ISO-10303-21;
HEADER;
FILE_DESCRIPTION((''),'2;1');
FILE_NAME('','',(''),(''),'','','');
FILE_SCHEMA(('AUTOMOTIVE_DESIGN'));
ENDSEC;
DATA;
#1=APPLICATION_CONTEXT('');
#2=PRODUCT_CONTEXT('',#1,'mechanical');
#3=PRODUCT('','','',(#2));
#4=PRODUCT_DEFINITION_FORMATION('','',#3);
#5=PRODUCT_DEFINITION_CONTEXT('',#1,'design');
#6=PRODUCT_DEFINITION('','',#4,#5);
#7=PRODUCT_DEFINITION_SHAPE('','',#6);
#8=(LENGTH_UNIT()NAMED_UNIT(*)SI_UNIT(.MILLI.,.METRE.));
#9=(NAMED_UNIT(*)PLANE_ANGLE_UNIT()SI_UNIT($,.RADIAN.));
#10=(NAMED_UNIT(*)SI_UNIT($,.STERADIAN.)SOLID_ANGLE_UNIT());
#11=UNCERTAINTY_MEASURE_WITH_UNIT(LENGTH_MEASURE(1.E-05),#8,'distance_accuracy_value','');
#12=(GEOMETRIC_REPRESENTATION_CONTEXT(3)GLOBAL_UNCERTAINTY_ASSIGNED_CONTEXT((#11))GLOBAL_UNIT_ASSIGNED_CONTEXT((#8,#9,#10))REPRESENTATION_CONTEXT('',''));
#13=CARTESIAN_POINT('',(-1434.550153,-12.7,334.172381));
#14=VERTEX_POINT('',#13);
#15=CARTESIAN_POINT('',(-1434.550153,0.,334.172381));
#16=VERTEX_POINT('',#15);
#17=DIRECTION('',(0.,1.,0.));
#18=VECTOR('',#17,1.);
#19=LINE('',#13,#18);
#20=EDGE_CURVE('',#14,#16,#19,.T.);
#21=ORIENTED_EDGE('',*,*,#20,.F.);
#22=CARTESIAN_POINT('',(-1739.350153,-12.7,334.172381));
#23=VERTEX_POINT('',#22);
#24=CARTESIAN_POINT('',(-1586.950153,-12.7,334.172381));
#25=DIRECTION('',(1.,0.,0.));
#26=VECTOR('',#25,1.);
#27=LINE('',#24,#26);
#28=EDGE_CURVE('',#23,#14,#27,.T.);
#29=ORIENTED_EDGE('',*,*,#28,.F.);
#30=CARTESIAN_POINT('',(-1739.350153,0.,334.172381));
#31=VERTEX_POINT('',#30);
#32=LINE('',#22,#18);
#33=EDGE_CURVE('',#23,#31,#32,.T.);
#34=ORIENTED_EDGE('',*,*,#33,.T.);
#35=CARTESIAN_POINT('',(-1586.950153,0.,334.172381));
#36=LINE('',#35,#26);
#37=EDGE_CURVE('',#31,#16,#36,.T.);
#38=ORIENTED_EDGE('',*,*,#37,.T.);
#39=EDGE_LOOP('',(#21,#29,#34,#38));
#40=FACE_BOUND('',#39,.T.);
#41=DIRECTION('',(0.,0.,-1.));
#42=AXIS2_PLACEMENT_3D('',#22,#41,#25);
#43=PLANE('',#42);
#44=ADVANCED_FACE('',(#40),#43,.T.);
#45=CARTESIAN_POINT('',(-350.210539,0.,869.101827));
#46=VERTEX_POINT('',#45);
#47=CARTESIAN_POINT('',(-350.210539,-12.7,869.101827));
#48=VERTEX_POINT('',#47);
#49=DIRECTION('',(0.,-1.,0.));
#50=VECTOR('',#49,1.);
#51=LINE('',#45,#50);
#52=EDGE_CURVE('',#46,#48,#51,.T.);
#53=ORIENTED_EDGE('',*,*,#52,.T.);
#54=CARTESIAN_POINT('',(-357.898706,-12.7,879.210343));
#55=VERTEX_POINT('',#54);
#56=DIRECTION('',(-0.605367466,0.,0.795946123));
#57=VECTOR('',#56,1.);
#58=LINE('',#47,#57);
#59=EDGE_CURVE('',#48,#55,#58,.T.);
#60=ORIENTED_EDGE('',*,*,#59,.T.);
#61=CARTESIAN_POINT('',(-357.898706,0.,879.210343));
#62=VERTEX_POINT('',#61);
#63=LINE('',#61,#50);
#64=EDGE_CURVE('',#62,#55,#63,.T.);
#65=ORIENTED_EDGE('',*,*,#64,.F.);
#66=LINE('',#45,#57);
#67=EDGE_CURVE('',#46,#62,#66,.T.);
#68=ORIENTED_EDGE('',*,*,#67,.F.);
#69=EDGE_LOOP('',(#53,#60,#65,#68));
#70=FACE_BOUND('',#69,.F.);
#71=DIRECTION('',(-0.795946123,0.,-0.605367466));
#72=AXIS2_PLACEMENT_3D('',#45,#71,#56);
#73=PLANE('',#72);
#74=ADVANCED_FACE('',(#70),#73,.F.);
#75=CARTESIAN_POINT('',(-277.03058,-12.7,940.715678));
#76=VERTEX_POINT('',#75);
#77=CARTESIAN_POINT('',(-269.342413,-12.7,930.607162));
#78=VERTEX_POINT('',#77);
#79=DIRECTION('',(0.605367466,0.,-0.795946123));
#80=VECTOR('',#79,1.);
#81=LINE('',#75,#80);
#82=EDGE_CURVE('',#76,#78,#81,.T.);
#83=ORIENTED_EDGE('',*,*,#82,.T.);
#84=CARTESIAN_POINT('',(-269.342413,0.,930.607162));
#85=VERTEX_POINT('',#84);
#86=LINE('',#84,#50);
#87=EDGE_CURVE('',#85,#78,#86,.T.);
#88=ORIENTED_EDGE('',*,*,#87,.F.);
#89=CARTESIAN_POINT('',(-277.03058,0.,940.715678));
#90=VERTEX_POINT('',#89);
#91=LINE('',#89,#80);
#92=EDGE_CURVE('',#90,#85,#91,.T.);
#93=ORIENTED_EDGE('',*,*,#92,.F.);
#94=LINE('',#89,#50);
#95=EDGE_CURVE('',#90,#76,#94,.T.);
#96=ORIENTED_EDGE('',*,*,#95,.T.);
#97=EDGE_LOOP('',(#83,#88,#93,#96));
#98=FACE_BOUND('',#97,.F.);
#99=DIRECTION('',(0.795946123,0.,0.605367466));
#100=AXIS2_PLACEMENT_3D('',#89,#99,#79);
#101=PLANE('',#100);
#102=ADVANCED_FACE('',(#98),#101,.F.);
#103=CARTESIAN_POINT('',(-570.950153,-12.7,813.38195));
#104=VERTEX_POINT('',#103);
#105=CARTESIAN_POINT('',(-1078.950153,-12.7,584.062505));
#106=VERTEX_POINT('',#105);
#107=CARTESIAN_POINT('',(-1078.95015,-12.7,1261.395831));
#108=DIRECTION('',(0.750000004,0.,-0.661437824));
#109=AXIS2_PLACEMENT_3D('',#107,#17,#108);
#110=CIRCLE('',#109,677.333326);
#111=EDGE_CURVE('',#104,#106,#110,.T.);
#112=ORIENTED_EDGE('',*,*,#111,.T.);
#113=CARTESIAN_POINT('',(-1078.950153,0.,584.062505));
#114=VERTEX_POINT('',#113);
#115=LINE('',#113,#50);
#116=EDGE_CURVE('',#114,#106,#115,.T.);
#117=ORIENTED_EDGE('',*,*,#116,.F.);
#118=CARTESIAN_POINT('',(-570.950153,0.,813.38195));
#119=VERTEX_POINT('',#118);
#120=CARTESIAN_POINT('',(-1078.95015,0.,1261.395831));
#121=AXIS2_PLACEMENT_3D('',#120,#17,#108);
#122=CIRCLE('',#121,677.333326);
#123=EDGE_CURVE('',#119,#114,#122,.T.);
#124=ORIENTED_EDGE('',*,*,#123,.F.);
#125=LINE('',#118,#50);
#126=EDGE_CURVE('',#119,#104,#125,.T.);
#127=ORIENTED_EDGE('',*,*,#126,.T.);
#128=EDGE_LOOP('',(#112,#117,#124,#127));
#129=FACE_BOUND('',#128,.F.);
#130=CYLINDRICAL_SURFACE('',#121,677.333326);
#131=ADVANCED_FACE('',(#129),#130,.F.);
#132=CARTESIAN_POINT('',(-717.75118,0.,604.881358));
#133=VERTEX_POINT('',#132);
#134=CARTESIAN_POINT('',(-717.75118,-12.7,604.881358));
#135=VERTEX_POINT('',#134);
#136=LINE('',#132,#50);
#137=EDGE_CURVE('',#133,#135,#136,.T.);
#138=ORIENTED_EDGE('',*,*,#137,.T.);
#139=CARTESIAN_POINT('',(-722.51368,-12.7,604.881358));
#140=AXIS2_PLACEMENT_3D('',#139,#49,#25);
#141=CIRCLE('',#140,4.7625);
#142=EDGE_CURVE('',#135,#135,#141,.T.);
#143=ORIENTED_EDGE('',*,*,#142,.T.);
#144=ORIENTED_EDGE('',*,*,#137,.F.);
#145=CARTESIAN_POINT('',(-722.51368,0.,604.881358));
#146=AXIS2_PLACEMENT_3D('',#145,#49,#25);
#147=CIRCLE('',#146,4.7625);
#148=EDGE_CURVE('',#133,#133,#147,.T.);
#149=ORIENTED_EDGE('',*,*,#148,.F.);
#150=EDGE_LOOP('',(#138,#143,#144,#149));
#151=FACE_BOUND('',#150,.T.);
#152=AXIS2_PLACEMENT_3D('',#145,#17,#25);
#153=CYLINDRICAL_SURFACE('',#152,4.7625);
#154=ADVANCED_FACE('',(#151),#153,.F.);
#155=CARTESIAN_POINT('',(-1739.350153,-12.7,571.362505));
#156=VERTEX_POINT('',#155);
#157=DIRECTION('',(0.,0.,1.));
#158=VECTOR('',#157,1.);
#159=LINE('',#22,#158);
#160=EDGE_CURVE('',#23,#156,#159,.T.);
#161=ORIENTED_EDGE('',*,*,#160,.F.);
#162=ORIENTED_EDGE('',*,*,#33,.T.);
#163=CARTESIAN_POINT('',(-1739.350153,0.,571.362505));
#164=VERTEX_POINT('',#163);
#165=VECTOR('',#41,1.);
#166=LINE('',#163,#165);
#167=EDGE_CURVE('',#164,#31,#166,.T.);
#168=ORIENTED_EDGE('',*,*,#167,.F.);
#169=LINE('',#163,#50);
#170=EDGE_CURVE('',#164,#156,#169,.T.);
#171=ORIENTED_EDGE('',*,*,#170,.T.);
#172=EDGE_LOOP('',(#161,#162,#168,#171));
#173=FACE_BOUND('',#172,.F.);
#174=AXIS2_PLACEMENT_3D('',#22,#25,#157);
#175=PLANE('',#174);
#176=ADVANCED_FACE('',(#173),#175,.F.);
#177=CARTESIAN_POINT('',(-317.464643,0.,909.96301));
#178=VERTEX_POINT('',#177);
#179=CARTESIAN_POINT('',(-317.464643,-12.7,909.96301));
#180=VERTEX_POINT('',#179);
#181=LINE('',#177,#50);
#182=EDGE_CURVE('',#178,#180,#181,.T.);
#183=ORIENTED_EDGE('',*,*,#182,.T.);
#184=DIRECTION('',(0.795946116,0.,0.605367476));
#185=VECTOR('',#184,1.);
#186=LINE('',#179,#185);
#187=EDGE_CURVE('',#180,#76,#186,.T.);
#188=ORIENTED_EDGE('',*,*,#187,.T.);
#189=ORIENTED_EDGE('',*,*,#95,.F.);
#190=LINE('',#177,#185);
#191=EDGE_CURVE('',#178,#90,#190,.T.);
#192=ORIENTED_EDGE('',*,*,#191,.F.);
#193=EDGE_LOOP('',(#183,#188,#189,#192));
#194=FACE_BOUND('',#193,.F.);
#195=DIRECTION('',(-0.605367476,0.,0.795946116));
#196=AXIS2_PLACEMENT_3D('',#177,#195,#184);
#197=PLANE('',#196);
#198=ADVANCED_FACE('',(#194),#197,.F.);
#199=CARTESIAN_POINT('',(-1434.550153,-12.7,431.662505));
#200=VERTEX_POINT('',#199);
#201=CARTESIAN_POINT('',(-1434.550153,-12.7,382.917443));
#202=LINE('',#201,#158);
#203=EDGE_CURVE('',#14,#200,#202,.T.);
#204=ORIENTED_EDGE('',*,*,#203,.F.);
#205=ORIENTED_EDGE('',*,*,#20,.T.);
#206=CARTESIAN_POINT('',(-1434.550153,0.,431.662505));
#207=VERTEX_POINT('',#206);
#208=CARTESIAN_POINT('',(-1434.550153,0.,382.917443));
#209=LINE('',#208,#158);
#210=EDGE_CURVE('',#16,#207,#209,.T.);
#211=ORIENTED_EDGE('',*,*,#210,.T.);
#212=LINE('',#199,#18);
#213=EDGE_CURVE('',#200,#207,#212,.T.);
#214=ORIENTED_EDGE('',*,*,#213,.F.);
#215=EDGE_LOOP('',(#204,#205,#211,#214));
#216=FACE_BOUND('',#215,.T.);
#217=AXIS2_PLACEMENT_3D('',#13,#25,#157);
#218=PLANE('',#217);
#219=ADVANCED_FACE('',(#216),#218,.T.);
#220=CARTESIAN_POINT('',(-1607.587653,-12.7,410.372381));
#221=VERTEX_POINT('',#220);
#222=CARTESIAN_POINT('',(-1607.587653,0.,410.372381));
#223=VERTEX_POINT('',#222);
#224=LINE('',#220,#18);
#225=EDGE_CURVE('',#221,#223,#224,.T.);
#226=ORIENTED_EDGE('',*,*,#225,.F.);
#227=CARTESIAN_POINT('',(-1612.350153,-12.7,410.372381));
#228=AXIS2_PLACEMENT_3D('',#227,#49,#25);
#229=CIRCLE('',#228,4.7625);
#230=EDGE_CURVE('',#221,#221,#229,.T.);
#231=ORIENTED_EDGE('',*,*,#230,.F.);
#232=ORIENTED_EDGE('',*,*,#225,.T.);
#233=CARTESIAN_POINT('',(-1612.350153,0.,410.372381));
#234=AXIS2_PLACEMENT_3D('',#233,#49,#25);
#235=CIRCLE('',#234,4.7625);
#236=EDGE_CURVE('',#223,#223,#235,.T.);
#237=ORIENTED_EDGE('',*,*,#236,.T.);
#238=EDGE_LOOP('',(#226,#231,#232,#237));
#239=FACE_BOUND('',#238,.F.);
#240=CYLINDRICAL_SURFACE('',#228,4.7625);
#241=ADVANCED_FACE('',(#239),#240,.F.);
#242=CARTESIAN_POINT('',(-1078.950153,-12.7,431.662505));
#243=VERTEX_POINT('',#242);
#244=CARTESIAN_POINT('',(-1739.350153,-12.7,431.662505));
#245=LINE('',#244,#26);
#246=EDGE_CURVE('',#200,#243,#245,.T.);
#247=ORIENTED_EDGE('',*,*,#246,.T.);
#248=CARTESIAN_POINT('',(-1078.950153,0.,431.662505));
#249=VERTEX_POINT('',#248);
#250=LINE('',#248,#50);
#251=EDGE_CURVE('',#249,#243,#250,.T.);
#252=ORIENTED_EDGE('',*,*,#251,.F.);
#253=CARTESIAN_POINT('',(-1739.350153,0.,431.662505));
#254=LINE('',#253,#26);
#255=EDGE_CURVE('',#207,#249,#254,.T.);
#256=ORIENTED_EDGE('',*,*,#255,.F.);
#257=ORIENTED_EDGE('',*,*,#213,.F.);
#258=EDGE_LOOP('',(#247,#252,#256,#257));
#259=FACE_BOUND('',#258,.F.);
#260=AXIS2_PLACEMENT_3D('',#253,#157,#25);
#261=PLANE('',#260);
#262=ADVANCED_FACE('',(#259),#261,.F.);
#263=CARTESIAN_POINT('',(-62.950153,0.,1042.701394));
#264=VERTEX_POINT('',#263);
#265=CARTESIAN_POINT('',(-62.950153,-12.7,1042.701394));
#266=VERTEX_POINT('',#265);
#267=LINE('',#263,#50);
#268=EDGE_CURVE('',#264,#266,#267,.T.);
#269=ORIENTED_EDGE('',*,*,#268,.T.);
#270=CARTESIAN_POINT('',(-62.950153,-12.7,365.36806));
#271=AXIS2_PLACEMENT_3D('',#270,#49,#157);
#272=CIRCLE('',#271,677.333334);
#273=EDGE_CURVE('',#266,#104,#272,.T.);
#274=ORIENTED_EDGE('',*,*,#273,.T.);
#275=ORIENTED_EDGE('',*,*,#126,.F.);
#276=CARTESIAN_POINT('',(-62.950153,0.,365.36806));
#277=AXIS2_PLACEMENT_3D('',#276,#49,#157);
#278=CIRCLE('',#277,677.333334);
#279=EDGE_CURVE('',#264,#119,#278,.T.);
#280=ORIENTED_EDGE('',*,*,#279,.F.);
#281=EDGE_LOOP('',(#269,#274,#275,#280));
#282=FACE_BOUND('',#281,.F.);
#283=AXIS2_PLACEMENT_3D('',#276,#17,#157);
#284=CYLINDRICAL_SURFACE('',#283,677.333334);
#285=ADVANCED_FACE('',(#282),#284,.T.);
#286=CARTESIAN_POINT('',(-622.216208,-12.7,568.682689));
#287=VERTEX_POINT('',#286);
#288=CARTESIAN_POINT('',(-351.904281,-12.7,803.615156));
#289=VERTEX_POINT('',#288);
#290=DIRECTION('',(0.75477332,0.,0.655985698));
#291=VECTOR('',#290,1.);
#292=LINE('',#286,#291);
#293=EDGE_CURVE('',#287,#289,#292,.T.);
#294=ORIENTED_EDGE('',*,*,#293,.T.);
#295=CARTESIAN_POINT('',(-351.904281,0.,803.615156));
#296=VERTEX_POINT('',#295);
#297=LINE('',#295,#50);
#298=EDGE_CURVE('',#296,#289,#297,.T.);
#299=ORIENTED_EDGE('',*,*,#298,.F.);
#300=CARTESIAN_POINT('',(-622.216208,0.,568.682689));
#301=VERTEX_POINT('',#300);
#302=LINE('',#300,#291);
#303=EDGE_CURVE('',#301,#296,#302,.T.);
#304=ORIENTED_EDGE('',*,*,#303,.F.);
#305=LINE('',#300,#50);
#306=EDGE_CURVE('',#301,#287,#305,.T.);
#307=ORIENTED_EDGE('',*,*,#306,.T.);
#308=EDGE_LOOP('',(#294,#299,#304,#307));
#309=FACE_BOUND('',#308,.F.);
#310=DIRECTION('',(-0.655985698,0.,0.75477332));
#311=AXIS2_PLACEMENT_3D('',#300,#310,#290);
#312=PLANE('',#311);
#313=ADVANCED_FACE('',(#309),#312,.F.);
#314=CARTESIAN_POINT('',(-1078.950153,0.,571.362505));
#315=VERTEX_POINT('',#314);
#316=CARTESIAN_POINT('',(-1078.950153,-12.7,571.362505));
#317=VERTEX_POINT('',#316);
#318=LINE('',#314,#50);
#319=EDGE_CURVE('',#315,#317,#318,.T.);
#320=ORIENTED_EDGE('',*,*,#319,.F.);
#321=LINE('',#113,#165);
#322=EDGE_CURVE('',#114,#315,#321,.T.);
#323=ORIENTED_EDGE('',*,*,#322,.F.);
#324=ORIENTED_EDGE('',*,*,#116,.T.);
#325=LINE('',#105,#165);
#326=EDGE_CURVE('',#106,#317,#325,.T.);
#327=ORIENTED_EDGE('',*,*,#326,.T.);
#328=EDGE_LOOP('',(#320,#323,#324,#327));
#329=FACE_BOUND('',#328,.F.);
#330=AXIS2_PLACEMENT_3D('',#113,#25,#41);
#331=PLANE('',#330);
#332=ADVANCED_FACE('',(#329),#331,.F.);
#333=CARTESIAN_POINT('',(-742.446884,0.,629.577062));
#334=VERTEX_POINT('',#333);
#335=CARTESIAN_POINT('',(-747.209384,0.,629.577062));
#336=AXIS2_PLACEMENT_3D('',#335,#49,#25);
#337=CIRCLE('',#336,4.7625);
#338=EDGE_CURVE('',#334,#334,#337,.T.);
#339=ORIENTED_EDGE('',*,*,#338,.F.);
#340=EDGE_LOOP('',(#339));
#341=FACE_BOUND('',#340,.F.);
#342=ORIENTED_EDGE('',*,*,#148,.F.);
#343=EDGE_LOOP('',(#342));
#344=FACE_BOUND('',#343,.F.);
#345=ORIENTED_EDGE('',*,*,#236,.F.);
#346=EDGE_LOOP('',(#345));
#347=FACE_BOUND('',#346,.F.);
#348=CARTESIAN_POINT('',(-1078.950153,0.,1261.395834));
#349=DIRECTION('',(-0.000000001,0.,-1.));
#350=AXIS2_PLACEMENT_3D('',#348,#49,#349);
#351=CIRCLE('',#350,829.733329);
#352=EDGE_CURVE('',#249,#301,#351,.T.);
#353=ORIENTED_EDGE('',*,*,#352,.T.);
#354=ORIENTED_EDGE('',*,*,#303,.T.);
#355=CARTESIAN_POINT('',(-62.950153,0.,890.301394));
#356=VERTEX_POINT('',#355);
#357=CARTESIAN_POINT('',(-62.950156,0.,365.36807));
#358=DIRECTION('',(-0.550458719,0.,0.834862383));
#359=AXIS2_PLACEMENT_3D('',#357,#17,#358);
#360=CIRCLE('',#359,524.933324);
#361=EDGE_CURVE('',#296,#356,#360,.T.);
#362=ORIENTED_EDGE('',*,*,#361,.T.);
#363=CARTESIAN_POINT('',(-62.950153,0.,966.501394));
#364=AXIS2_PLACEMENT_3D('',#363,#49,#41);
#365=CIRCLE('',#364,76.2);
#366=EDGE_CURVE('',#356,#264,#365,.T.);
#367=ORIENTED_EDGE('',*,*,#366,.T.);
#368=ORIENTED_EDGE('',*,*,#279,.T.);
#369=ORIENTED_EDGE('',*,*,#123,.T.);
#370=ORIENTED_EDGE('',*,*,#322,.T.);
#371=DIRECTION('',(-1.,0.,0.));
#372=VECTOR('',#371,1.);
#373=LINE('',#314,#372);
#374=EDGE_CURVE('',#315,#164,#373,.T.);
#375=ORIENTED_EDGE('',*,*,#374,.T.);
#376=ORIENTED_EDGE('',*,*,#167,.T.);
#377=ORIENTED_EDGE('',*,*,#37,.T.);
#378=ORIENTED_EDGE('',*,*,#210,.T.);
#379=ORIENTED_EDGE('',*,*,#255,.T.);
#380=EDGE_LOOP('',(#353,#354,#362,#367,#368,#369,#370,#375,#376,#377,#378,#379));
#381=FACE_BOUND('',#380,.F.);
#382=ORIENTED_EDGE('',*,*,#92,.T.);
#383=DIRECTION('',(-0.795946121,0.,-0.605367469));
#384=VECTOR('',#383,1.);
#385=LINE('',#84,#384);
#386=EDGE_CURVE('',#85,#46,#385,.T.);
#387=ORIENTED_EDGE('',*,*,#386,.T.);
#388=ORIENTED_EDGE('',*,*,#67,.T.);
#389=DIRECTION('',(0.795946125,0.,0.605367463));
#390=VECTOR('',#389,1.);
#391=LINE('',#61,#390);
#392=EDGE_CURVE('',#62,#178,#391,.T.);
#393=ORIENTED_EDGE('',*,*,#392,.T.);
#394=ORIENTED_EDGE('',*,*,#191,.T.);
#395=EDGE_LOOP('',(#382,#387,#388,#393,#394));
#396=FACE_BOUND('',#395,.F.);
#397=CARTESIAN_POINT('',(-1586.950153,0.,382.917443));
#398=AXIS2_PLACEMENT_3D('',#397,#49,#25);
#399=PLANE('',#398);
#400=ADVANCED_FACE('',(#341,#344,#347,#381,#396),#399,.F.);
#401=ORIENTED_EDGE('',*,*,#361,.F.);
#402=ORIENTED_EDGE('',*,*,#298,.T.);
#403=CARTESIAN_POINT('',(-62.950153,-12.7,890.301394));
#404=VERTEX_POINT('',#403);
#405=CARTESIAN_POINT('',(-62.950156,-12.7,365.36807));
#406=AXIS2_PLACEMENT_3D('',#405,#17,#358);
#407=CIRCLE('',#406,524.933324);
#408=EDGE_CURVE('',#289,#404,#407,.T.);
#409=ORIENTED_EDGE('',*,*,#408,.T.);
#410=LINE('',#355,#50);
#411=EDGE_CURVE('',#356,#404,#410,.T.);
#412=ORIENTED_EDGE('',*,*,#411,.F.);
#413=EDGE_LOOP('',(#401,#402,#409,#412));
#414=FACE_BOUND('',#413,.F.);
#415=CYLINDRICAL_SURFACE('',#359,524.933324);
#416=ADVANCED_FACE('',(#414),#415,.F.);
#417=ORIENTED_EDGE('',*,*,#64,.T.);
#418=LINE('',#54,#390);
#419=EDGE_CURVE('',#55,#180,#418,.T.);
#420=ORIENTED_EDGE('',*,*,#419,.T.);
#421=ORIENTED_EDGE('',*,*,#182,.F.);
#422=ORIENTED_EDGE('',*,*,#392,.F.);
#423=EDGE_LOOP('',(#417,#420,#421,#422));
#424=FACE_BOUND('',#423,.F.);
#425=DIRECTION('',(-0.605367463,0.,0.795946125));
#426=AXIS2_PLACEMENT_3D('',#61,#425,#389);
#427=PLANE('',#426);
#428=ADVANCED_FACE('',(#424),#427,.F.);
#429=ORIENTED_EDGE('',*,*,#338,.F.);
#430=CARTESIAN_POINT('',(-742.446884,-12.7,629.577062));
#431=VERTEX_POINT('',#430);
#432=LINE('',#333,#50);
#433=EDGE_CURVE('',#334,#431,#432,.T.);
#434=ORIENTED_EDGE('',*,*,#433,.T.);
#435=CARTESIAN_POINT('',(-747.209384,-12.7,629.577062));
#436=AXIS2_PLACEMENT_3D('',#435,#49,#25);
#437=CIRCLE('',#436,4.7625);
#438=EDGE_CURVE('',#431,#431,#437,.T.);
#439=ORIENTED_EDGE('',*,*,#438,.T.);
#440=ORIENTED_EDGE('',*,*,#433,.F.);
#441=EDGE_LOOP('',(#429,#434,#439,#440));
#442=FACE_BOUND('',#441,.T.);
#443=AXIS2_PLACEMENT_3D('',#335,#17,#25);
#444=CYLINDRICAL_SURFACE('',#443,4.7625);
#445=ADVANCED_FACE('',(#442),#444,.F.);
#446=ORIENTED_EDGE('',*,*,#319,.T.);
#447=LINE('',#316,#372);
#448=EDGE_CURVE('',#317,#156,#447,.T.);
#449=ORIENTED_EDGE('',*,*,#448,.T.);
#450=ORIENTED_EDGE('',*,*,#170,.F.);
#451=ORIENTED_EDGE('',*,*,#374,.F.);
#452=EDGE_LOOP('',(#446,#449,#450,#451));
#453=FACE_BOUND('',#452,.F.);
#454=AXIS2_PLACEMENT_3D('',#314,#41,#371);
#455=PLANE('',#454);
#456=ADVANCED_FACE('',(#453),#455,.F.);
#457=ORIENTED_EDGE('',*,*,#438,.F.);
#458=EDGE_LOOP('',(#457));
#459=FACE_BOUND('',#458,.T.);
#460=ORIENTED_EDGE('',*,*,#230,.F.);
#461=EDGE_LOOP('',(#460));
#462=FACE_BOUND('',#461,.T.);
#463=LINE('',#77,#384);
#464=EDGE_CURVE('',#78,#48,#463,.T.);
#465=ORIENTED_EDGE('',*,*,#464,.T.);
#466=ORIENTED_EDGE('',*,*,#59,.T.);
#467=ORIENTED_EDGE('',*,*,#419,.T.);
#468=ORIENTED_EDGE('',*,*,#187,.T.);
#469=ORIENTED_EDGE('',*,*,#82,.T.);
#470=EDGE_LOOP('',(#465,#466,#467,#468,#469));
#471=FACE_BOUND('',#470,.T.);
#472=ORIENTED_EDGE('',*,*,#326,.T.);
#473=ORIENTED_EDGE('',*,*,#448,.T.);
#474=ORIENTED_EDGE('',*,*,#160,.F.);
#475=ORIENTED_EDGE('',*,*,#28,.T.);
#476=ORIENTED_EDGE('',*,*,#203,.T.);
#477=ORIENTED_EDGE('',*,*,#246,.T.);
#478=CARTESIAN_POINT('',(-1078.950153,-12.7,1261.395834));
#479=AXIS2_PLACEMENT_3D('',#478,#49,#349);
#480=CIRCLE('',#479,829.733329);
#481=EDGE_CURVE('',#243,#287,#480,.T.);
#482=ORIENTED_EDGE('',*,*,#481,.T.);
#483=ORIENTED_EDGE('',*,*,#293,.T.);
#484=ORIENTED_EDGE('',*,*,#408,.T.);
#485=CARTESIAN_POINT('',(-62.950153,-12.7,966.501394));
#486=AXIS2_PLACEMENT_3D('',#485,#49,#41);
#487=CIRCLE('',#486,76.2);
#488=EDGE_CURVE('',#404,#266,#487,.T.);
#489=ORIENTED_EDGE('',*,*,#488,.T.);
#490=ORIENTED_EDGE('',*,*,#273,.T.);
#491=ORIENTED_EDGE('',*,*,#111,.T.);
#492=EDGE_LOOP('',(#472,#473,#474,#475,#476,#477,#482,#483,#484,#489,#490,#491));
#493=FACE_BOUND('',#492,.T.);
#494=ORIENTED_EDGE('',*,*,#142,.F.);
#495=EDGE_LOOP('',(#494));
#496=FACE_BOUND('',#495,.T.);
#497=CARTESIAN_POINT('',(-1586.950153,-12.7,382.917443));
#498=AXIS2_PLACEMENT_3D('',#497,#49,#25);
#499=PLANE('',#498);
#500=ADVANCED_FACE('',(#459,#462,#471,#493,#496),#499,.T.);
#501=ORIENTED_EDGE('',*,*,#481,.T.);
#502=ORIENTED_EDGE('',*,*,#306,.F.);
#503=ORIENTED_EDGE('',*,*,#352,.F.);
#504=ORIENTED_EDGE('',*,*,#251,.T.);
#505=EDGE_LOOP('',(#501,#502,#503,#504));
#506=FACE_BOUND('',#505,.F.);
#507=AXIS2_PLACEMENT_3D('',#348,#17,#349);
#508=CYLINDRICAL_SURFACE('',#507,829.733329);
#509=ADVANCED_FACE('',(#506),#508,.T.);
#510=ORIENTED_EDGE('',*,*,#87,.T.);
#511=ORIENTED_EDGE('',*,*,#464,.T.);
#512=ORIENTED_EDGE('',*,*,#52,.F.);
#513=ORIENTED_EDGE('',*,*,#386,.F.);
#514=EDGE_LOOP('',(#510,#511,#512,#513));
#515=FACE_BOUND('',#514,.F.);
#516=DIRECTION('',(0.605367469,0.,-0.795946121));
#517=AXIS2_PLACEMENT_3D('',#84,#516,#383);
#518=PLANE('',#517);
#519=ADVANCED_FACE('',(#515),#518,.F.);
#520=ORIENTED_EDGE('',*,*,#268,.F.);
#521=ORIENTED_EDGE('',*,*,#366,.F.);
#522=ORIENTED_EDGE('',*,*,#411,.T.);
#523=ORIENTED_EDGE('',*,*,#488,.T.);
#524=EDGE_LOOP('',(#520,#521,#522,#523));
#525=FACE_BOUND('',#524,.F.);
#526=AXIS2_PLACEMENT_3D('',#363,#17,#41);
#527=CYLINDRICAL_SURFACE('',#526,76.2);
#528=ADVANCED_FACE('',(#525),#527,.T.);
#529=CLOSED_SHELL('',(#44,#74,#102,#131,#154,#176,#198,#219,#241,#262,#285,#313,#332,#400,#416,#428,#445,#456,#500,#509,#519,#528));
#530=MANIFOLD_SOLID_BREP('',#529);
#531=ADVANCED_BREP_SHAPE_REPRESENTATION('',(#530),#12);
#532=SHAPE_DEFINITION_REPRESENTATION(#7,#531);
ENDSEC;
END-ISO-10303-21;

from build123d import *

# Parameters (mm, degrees)
F0_R     = 4.7625
F1_DEPTH = 12.7
F2_W     = 304.8
F2_H     = 97.490124
F2_R     = 4.7625
F3_DEPTH = 12.7


with BuildPart() as f1:
    # F0 (on Front) → F1 (new body)
    with BuildSketch(Plane.XZ):
        with BuildLine():
            ThreePointArc((-570.950153, 813.38195), (-800.269597, 644.048616), (-1078.950153, 584.062505))
            Line((-1078.950153, 584.062505), (-1078.950153, 571.362505))
            Line((-1078.950153, 571.362505), (-1739.350153, 571.362505))
            Line((-1739.350153, 571.362505), (-1739.350153, 517.387505))
            Line((-1739.350153, 517.387505), (-1739.350153, 498.337505))
            Line((-1739.350153, 498.337505), (-1739.350153, 431.662505))
            Line((-1739.350153, 431.662505), (-1078.950153, 431.662505))
            ThreePointArc((-1078.950153, 431.662505), (-840.528034, 466.655442), (-622.216208, 568.682689))
            Line((-622.216208, 568.682689), (-351.904281, 803.615156))
            ThreePointArc((-351.904281, 803.615156), (-213.788636, 868.163006), (-62.950153, 890.301394))
            ThreePointArc((-62.950153, 890.301394), (13.249847, 966.501394), (-62.950153, 1042.701394))
            ThreePointArc((-62.950153, 1042.701394), (-341.630708, 982.715283), (-570.950153, 813.38195))
        make_face()
        with Locations((-722.51368, 604.881358)):
            Circle(F0_R, mode=Mode.SUBTRACT)
        with Locations((-747.209384, 629.577062)):
            Circle(F0_R, mode=Mode.SUBTRACT)
        Polygon((-357.898706, 879.210343), (-317.464643, 909.96301), (-277.03058, 940.715678), (-269.342413, 930.607162), (-350.210539, 869.101827), align=None, mode=Mode.SUBTRACT)
    extrude(amount=F1_DEPTH)

    # F2 (on face) → F3 (join)
    with BuildSketch(Plane.XZ.offset(12.7)):
        with Locations((-1586.950153, 382.917443)):
            Rectangle(F2_W, F2_H)
        with Locations((-1612.350153, 410.372381)):
            Circle(F2_R, mode=Mode.SUBTRACT)
    extrude(amount=-F3_DEPTH)


solid = f1.part
